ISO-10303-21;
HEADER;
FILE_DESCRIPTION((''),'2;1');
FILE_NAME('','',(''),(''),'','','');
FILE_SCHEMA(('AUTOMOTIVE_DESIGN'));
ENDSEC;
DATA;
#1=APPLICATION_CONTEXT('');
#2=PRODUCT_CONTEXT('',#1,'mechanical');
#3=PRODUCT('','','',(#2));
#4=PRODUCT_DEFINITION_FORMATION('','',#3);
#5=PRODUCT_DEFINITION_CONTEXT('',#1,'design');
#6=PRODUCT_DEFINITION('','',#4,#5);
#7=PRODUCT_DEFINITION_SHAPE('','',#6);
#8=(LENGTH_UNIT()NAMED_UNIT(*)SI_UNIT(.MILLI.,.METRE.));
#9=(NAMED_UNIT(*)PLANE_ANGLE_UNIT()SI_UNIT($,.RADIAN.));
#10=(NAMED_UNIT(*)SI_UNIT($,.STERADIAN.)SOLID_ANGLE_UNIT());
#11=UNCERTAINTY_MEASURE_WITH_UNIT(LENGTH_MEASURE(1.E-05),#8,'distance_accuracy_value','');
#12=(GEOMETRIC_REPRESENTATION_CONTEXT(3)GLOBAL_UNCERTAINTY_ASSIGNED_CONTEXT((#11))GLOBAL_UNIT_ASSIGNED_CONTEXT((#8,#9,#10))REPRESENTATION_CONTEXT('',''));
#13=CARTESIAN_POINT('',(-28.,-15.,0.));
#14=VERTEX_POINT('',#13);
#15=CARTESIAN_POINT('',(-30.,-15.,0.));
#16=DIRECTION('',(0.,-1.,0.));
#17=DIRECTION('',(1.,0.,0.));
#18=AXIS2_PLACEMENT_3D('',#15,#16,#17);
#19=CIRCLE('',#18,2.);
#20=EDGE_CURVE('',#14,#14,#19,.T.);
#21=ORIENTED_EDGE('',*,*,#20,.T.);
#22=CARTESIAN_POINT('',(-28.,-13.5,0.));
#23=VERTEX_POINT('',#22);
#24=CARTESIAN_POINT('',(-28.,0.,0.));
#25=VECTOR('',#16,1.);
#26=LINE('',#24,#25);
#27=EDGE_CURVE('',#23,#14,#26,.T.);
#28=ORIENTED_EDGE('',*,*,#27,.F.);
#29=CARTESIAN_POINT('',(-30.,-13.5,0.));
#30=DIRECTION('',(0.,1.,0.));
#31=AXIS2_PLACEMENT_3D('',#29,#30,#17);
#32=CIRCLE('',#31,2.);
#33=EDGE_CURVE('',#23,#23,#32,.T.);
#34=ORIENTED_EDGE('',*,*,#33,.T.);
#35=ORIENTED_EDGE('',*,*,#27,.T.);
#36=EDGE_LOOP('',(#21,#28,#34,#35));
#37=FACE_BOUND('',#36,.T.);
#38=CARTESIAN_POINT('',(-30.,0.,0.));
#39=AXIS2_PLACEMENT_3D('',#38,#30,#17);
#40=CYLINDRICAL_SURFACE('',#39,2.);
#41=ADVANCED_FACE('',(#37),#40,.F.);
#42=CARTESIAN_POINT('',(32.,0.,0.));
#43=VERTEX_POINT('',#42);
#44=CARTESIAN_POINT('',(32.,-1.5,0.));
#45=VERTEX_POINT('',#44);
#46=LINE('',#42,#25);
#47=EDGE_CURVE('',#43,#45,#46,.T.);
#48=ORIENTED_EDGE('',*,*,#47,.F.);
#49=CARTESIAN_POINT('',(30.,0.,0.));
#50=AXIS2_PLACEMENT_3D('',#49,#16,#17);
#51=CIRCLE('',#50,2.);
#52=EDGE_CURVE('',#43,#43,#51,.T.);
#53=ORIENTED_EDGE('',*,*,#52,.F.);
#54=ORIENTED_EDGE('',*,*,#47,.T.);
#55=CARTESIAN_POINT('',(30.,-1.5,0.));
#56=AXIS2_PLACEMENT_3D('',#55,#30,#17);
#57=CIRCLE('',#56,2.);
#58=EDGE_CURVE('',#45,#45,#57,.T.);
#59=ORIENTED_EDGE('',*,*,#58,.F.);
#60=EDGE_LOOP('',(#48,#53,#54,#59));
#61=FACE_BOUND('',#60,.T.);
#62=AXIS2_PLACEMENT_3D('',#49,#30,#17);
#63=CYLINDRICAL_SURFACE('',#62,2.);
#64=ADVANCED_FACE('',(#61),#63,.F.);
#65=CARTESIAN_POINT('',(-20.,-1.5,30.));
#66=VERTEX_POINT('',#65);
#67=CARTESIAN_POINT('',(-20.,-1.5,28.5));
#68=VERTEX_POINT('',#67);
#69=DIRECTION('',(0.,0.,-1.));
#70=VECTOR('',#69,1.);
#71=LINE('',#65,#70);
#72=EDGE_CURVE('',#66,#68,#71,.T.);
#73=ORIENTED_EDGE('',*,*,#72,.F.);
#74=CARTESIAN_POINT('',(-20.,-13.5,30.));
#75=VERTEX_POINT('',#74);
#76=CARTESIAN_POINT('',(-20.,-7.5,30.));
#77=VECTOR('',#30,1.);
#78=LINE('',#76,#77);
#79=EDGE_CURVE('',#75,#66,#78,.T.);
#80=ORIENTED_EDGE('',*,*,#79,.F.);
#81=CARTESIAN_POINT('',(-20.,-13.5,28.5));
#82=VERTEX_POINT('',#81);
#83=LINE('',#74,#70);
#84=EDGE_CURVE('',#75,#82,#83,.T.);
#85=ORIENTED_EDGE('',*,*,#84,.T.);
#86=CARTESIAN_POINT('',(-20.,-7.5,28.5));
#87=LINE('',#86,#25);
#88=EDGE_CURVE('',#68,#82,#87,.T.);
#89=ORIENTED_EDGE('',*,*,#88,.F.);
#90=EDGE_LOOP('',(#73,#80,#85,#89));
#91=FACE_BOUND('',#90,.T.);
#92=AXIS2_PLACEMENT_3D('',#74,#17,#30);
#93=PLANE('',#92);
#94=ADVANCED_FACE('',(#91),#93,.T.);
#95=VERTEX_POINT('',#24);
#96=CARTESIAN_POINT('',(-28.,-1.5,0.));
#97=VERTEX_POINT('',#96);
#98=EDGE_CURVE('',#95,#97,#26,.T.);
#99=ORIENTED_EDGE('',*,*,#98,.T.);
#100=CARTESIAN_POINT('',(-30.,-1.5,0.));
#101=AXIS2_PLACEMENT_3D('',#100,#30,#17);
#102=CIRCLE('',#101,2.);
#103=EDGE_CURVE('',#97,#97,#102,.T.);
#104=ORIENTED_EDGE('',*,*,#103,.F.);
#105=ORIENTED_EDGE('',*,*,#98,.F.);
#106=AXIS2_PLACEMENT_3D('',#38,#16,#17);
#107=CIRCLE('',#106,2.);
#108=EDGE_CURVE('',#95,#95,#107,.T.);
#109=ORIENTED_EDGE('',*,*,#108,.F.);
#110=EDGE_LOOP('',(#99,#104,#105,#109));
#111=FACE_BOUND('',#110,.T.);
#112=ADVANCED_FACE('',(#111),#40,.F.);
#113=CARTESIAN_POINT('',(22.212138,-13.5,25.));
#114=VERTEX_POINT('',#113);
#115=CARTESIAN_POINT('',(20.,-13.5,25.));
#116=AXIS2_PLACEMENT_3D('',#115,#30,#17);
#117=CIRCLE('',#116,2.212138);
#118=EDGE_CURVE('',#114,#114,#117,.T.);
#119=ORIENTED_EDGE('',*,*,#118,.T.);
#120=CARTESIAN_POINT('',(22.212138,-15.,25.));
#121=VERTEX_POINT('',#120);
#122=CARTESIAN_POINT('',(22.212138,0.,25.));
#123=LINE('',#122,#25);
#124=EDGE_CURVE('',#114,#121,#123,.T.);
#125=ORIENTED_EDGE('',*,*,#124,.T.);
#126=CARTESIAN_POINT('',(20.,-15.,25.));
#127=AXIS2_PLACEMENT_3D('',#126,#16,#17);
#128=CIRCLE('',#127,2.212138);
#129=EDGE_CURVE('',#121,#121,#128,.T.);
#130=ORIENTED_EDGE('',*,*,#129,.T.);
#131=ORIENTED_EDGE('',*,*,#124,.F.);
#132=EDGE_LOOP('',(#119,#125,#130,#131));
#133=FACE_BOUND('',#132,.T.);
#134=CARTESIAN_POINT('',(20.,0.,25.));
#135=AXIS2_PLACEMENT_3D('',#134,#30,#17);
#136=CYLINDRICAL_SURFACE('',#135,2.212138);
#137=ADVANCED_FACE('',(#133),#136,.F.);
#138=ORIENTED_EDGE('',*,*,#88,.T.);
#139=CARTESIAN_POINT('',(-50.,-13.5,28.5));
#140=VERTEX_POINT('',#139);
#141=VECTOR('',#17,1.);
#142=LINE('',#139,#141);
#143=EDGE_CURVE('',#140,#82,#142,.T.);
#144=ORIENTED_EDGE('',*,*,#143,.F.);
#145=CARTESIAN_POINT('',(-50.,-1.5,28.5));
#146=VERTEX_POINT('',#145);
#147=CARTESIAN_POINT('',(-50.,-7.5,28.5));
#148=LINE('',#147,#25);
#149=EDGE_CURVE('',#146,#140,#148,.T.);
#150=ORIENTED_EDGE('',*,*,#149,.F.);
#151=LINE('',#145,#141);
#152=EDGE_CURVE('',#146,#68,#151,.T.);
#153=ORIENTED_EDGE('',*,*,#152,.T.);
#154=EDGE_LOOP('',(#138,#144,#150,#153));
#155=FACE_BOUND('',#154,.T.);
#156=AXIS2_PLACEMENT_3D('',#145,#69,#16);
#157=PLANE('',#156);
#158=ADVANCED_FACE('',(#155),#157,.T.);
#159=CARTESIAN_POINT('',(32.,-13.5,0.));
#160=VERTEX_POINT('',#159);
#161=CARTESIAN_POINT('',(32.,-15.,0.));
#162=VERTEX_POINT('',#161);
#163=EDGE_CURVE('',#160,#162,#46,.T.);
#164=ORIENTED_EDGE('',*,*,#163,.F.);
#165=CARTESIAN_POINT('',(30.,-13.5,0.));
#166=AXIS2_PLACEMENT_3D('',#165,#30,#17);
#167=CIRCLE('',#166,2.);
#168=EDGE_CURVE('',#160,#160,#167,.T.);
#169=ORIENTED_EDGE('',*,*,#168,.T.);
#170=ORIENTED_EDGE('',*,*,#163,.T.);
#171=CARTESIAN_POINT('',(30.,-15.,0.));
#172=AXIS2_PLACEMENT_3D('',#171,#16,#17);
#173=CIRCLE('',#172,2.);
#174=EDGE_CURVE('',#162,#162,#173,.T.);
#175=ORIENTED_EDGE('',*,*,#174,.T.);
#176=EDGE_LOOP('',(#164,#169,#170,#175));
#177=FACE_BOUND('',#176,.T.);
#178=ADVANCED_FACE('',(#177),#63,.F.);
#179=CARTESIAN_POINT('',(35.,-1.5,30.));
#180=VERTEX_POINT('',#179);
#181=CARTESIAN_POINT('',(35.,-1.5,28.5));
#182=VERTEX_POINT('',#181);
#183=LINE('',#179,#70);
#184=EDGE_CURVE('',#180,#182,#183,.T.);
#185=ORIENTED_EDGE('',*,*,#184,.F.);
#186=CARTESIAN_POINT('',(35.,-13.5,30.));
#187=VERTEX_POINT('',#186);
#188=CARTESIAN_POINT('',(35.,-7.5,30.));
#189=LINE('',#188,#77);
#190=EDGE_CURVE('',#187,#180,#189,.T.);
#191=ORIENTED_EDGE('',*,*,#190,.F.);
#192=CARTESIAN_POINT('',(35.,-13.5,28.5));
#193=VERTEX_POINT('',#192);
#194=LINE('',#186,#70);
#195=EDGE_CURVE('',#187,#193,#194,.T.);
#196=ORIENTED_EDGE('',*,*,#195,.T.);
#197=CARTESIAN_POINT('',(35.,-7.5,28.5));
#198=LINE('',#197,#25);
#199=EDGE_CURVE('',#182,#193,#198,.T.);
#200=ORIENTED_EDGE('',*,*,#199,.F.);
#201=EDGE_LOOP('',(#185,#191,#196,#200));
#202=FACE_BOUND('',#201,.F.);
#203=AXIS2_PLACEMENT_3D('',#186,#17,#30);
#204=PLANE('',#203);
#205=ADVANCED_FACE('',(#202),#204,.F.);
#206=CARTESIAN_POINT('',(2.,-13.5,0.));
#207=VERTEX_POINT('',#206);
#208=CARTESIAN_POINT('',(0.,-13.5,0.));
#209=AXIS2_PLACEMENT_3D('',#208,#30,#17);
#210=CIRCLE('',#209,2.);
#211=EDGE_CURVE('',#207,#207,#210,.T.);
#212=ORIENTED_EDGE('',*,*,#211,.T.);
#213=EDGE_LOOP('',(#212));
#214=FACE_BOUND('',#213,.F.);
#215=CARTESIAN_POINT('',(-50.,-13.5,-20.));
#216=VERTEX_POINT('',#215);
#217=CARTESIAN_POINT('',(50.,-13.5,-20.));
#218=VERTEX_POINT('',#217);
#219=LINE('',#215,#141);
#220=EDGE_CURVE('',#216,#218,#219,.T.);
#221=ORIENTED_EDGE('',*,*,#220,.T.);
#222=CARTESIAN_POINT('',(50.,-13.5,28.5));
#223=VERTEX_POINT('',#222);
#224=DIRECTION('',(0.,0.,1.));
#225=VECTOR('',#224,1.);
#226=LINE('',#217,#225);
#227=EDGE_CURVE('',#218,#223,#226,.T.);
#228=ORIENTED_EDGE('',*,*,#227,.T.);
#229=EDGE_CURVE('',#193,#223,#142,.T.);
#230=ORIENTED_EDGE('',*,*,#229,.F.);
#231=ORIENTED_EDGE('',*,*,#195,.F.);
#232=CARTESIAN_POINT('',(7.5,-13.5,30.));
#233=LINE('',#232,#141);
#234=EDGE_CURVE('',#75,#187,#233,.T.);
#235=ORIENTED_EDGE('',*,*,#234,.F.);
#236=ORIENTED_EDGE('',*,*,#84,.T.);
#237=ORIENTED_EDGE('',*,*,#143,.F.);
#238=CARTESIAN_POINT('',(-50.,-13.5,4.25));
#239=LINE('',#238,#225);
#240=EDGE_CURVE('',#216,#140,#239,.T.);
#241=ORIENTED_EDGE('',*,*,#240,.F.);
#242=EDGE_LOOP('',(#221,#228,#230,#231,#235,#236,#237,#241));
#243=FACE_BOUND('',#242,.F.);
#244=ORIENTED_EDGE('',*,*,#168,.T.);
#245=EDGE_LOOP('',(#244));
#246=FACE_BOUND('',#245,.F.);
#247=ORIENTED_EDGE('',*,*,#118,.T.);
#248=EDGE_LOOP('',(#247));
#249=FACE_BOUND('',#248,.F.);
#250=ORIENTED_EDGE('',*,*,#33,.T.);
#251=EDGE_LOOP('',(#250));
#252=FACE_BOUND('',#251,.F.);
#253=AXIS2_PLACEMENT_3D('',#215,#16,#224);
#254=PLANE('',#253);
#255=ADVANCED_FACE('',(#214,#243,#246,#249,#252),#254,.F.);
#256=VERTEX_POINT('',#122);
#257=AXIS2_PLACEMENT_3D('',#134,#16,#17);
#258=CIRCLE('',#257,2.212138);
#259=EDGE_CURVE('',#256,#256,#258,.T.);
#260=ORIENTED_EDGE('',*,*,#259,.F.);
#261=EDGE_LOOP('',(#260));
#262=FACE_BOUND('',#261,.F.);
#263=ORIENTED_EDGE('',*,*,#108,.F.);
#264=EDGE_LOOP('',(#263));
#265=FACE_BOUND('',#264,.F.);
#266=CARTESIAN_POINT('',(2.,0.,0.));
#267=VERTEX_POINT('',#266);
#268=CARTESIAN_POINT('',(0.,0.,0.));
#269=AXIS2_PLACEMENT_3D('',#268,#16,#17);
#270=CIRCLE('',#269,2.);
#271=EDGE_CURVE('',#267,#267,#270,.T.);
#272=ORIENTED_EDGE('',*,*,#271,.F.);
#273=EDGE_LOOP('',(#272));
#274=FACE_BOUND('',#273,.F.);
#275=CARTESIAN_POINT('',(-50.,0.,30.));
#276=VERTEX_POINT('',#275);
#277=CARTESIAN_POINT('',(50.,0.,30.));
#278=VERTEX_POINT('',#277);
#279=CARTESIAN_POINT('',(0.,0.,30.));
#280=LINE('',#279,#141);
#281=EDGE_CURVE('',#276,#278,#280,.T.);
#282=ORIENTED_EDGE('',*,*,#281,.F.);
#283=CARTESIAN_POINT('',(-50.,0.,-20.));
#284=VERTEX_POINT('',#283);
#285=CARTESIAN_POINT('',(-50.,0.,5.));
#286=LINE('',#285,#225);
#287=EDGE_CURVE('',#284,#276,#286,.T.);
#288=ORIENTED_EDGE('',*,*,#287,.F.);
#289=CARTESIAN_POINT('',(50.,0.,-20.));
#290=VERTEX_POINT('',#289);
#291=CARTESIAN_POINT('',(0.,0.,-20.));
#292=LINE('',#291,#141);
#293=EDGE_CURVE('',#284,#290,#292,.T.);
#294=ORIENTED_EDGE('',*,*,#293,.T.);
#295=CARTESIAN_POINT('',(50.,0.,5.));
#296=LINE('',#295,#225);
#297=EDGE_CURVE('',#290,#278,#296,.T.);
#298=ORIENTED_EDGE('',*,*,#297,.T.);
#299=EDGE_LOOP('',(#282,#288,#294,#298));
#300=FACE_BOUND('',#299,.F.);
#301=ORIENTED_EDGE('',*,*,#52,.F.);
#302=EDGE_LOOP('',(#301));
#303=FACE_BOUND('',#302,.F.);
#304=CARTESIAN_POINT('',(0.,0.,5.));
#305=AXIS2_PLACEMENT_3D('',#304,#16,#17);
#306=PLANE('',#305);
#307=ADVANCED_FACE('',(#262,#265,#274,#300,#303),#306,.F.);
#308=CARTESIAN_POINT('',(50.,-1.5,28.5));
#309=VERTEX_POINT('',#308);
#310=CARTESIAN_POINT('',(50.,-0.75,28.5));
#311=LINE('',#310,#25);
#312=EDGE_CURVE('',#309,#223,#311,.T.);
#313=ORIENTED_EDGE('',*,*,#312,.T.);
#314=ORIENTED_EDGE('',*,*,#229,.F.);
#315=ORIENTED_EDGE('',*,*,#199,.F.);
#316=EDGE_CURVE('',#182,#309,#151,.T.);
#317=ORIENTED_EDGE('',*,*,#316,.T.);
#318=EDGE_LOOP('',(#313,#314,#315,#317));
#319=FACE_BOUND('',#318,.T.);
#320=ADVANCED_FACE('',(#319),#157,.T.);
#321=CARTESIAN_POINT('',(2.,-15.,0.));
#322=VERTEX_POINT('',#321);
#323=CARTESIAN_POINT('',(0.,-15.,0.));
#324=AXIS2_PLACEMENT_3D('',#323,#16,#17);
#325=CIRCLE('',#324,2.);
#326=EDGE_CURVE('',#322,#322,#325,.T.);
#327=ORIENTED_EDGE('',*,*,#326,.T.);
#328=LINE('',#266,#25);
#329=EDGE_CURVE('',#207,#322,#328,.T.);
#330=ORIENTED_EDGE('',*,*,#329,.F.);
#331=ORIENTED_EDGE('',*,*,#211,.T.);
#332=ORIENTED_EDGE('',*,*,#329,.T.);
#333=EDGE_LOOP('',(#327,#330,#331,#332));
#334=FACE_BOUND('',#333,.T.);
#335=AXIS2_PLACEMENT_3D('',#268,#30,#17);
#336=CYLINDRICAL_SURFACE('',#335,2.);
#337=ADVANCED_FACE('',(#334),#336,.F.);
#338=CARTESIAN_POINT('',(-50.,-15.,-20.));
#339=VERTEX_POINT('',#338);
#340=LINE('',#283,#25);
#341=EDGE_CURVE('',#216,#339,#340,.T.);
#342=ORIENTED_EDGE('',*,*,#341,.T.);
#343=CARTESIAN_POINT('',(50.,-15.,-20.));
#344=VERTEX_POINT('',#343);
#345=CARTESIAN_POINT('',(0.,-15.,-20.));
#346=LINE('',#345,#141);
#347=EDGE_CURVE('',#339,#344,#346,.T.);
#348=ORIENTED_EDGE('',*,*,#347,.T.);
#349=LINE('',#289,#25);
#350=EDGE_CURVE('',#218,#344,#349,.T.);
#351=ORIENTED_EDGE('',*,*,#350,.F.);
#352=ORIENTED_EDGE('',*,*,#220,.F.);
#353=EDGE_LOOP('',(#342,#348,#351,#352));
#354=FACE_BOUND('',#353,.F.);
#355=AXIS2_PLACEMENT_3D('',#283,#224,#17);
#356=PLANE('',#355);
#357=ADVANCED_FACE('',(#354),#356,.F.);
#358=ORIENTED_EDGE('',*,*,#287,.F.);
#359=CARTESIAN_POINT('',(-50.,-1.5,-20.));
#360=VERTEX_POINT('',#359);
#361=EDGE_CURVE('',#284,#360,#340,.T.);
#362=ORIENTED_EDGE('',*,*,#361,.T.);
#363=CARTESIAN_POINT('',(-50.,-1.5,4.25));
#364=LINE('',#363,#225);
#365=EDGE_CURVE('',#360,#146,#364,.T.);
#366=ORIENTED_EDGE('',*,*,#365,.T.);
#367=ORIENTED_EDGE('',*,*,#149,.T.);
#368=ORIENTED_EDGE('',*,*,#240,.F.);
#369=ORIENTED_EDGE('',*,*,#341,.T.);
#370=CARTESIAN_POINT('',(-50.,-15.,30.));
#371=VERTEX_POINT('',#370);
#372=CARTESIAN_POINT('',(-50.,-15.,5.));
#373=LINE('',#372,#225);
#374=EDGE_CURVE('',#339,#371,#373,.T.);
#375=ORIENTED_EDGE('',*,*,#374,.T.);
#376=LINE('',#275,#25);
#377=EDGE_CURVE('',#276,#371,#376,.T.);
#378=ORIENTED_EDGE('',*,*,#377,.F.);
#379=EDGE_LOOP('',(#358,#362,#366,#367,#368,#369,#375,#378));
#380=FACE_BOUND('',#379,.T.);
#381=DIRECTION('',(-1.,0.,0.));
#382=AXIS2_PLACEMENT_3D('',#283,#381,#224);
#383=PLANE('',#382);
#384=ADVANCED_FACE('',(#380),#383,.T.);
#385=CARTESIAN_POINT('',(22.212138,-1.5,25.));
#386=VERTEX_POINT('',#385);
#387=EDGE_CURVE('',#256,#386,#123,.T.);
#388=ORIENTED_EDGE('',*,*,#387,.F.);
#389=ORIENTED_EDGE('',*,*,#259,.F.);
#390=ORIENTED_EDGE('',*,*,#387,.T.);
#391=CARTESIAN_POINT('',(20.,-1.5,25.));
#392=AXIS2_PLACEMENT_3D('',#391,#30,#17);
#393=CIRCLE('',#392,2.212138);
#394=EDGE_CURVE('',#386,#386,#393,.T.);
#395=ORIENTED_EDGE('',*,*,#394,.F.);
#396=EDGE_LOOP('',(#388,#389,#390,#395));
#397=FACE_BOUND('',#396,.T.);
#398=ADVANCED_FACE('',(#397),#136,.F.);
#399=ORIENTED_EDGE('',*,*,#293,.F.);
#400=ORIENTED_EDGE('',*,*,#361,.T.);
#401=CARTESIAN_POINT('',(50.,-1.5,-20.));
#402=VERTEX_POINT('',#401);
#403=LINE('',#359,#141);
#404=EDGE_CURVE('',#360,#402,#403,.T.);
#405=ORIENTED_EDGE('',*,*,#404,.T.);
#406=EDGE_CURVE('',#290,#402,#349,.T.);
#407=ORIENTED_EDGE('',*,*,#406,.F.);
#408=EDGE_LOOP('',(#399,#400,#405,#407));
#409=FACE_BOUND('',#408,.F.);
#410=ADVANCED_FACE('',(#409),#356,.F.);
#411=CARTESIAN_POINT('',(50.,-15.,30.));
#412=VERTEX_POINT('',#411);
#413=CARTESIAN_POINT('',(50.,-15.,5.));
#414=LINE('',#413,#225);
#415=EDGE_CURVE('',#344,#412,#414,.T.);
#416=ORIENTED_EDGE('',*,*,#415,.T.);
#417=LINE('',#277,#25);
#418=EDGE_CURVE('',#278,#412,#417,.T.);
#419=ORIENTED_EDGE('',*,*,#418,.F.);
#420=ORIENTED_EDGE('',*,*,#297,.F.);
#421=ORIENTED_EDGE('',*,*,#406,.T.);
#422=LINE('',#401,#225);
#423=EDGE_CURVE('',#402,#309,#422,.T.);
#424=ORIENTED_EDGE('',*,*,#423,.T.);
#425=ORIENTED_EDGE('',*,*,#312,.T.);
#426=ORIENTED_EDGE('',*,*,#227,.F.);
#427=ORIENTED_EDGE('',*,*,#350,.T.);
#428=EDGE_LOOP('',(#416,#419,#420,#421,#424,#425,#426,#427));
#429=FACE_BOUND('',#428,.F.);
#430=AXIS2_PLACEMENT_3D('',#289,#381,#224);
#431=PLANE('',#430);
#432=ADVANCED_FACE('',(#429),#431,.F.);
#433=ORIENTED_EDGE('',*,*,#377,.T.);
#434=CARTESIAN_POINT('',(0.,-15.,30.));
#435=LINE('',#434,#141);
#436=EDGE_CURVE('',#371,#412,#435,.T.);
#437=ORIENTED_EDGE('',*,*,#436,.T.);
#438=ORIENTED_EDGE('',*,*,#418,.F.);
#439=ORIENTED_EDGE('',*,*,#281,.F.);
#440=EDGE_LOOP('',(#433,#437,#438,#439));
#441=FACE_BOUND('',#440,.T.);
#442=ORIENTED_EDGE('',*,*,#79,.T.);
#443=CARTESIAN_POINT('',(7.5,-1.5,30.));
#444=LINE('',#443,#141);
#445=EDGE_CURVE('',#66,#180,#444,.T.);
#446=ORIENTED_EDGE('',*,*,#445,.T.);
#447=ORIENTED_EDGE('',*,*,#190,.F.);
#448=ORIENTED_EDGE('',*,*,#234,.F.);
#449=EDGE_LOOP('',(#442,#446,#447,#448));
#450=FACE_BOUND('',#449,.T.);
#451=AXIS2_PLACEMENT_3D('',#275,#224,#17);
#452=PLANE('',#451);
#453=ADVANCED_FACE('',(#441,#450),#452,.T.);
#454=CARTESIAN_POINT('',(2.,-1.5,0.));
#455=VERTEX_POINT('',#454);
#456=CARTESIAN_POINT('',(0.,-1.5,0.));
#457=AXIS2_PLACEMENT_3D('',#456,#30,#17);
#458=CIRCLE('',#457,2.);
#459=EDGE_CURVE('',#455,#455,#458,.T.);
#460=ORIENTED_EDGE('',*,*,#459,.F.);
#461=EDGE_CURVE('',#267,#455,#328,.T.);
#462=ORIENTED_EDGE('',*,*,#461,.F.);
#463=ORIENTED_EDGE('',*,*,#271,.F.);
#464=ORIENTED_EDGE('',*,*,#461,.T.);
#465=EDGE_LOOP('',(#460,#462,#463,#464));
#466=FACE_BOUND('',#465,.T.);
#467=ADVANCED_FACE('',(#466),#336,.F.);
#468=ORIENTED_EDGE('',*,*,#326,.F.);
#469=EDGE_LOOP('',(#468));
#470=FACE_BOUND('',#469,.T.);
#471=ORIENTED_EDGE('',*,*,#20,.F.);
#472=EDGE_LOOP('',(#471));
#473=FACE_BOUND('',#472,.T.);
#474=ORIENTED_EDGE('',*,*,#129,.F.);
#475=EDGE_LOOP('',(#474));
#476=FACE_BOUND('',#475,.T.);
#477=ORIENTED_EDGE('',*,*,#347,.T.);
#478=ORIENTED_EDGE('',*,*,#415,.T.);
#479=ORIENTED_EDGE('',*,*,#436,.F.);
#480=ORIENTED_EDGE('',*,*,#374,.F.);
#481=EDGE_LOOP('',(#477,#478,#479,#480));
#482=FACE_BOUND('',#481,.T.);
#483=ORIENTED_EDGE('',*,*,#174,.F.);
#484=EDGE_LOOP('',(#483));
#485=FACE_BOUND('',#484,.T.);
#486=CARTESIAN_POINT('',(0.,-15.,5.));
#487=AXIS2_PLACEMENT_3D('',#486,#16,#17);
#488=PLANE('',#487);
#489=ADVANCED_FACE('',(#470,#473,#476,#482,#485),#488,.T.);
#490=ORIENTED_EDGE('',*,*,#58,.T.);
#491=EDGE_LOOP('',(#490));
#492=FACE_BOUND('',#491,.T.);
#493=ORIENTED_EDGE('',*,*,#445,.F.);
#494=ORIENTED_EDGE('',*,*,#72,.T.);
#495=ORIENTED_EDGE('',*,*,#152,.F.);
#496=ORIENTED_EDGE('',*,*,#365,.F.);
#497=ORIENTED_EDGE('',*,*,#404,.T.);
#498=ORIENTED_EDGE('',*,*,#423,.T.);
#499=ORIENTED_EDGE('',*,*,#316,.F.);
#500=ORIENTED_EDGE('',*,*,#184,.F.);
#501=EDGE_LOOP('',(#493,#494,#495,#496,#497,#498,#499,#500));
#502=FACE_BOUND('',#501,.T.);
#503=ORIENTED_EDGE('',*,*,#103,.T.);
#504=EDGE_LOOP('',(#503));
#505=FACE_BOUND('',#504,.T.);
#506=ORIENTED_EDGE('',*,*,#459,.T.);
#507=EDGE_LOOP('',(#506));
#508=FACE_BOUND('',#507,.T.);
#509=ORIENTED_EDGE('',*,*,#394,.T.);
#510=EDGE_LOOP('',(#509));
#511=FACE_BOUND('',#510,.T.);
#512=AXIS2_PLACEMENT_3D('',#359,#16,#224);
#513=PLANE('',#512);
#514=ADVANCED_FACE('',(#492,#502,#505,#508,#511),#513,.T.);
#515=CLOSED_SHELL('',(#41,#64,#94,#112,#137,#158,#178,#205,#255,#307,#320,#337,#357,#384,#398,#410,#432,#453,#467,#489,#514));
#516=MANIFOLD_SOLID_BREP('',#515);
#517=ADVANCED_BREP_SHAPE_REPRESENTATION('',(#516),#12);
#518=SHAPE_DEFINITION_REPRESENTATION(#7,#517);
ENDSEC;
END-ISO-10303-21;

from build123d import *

# Parameters (mm, degrees)
F0_W     = 100
F0_H     = 50
F0_R     = 2
F0_R_2   = 2.212138
F1_DEPTH = 15
F2_W     = 12
F2_H     = 48.5
F3_DEPTH = 100.001
F4_W     = 55
F4_H     = 12
F5_DEPTH = 25


with BuildPart() as f1:
    # F0 (on Front) → F1 (new body)
    with BuildSketch(Plane.XZ):
        with Locations((0, 5)):
            Rectangle(F0_W, F0_H)
        with Locations((-30, 0)):
            Circle(F0_R, mode=Mode.SUBTRACT)
        Circle(F0_R, mode=Mode.SUBTRACT)
        with Locations((30, 0)):
            Circle(F0_R, mode=Mode.SUBTRACT)
        with Locations((20, 25)):
            Circle(F0_R_2, mode=Mode.SUBTRACT)
    extrude(amount=F1_DEPTH)

    # F2 (on face) → F3 (cut, through all)
    with BuildSketch(Plane(origin=(-50, 0, 0), x_dir=(0, -1, 0), z_dir=(-1, 0, 0))):
        with Locations((7.5, 4.25)):
            Rectangle(F2_W, F2_H)
    extrude(amount=-F3_DEPTH, mode=Mode.SUBTRACT)

    # F4 (on face) → F5 (cut)
    with BuildSketch(Plane.XY.offset(30)):
        with Locations((7.5, -7.5)):
            Rectangle(F4_W, F4_H)
    extrude(amount=-F5_DEPTH, mode=Mode.SUBTRACT)


solid = f1.part
